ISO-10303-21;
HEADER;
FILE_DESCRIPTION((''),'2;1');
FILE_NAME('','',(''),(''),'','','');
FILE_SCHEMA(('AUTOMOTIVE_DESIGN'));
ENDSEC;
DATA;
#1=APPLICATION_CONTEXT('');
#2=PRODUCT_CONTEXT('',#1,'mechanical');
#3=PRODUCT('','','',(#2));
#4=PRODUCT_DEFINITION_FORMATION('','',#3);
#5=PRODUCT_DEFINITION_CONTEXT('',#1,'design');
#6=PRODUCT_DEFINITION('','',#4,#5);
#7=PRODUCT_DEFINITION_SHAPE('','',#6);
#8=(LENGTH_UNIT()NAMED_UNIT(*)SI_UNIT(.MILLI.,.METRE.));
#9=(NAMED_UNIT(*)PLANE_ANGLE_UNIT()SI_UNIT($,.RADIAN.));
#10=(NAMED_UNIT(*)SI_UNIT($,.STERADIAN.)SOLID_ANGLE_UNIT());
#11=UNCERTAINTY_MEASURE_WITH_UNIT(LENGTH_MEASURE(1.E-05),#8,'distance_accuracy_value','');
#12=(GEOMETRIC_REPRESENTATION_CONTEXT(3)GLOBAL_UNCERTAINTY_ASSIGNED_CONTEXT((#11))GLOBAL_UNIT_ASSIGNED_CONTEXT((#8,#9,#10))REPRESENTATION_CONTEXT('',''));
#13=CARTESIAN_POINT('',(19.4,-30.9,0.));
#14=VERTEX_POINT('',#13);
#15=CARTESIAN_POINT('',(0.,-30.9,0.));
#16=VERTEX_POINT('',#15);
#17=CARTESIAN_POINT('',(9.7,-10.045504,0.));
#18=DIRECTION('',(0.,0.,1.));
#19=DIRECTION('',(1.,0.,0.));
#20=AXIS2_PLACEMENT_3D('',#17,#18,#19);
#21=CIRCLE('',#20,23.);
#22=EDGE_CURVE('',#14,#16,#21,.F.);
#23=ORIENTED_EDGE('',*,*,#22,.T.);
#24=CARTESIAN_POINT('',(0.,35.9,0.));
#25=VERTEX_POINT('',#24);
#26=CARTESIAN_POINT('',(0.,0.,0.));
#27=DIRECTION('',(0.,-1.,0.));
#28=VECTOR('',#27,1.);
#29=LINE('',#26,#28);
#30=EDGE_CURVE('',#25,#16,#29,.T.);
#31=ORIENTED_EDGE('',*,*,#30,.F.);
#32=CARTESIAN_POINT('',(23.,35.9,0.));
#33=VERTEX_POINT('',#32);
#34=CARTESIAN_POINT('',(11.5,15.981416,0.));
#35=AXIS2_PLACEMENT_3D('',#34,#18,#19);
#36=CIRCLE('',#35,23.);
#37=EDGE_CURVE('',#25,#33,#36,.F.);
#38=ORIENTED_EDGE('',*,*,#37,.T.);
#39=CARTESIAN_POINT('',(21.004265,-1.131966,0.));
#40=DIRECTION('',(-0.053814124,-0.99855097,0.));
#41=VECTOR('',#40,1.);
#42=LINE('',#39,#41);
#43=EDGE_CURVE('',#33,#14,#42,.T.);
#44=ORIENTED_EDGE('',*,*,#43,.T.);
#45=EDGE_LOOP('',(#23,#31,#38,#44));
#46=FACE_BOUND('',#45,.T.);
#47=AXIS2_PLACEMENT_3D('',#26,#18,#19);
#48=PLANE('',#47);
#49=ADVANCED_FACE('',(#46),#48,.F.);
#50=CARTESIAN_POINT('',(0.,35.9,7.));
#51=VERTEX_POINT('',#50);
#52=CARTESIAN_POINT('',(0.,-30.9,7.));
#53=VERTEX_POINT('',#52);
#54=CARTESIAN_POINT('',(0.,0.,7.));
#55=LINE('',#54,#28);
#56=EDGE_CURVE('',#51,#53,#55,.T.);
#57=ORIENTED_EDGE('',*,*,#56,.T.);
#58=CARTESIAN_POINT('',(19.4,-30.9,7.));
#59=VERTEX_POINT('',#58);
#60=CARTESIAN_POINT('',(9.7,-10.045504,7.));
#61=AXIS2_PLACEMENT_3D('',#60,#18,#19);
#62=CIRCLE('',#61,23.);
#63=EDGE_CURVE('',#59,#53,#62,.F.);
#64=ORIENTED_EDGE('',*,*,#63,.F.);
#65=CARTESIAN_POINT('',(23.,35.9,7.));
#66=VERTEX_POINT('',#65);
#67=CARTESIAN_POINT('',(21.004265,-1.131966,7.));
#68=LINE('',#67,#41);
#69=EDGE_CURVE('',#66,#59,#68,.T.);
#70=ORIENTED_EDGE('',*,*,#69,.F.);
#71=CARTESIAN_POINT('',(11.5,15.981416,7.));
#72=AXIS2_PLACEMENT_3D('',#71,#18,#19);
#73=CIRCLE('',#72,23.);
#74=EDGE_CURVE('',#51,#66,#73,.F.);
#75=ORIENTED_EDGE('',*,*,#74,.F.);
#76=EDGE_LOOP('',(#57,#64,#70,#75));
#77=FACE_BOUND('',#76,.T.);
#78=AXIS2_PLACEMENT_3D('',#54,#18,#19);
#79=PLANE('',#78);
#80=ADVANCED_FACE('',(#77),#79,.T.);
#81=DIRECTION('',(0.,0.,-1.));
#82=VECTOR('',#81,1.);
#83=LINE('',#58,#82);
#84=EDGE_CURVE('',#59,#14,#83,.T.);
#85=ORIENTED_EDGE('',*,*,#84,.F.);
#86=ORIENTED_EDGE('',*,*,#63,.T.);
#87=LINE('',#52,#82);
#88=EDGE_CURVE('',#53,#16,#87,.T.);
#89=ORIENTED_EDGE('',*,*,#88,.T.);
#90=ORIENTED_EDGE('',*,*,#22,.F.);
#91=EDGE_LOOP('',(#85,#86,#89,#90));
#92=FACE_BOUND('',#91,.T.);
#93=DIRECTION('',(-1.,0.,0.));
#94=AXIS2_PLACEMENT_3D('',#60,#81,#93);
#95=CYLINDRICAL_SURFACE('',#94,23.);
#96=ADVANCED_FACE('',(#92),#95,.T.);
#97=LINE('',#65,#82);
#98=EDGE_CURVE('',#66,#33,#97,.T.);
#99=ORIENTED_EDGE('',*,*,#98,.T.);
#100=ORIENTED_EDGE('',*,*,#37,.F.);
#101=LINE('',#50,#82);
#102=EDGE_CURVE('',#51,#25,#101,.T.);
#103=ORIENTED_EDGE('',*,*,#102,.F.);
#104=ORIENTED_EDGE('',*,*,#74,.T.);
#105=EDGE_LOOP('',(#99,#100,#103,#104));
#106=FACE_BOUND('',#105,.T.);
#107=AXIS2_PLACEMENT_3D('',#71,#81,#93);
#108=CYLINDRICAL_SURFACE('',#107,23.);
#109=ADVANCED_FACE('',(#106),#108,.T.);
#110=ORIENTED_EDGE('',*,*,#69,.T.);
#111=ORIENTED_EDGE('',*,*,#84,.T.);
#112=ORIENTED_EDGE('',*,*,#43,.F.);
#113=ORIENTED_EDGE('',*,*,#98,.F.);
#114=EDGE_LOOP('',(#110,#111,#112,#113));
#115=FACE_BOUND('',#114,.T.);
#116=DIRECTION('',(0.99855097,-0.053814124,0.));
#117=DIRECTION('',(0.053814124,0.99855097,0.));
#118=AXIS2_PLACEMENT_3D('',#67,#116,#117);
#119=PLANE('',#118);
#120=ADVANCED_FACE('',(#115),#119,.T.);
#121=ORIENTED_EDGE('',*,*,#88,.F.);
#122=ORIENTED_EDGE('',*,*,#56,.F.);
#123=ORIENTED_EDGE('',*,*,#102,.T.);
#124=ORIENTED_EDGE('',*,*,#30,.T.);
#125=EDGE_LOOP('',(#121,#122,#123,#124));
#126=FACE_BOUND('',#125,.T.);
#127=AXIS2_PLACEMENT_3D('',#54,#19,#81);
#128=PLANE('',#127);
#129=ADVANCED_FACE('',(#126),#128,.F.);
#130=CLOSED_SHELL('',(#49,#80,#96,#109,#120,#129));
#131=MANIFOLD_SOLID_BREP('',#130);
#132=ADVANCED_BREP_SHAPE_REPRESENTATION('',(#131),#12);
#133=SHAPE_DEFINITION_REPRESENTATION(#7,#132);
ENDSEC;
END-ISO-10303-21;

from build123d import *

# Parameters (mm, degrees)
BOSS_EXTRUDE1_DEPTH = 7


with BuildPart() as part:
    # Sketch1 → Boss-Extrude1 (new body)
    with BuildSketch(Plane.XY):
        with BuildLine():
            ThreePointArc((0, 35.9), (11.5, 38.981415713), (23, 35.9))
            Line((23, 35.9), (0, 35.9))
        make_face()
        Polygon((23, 35.9), (19.4, -30.9), (0, -30.9), (0, 35.9), align=None)
        with BuildLine():
            ThreePointArc((19.4, -30.9), (9.7, -33.045504082), (0, -30.9))
            Line((0, -30.9), (19.4, -30.9))
        make_face()
    extrude(amount=BOSS_EXTRUDE1_DEPTH)


solid = part.part
